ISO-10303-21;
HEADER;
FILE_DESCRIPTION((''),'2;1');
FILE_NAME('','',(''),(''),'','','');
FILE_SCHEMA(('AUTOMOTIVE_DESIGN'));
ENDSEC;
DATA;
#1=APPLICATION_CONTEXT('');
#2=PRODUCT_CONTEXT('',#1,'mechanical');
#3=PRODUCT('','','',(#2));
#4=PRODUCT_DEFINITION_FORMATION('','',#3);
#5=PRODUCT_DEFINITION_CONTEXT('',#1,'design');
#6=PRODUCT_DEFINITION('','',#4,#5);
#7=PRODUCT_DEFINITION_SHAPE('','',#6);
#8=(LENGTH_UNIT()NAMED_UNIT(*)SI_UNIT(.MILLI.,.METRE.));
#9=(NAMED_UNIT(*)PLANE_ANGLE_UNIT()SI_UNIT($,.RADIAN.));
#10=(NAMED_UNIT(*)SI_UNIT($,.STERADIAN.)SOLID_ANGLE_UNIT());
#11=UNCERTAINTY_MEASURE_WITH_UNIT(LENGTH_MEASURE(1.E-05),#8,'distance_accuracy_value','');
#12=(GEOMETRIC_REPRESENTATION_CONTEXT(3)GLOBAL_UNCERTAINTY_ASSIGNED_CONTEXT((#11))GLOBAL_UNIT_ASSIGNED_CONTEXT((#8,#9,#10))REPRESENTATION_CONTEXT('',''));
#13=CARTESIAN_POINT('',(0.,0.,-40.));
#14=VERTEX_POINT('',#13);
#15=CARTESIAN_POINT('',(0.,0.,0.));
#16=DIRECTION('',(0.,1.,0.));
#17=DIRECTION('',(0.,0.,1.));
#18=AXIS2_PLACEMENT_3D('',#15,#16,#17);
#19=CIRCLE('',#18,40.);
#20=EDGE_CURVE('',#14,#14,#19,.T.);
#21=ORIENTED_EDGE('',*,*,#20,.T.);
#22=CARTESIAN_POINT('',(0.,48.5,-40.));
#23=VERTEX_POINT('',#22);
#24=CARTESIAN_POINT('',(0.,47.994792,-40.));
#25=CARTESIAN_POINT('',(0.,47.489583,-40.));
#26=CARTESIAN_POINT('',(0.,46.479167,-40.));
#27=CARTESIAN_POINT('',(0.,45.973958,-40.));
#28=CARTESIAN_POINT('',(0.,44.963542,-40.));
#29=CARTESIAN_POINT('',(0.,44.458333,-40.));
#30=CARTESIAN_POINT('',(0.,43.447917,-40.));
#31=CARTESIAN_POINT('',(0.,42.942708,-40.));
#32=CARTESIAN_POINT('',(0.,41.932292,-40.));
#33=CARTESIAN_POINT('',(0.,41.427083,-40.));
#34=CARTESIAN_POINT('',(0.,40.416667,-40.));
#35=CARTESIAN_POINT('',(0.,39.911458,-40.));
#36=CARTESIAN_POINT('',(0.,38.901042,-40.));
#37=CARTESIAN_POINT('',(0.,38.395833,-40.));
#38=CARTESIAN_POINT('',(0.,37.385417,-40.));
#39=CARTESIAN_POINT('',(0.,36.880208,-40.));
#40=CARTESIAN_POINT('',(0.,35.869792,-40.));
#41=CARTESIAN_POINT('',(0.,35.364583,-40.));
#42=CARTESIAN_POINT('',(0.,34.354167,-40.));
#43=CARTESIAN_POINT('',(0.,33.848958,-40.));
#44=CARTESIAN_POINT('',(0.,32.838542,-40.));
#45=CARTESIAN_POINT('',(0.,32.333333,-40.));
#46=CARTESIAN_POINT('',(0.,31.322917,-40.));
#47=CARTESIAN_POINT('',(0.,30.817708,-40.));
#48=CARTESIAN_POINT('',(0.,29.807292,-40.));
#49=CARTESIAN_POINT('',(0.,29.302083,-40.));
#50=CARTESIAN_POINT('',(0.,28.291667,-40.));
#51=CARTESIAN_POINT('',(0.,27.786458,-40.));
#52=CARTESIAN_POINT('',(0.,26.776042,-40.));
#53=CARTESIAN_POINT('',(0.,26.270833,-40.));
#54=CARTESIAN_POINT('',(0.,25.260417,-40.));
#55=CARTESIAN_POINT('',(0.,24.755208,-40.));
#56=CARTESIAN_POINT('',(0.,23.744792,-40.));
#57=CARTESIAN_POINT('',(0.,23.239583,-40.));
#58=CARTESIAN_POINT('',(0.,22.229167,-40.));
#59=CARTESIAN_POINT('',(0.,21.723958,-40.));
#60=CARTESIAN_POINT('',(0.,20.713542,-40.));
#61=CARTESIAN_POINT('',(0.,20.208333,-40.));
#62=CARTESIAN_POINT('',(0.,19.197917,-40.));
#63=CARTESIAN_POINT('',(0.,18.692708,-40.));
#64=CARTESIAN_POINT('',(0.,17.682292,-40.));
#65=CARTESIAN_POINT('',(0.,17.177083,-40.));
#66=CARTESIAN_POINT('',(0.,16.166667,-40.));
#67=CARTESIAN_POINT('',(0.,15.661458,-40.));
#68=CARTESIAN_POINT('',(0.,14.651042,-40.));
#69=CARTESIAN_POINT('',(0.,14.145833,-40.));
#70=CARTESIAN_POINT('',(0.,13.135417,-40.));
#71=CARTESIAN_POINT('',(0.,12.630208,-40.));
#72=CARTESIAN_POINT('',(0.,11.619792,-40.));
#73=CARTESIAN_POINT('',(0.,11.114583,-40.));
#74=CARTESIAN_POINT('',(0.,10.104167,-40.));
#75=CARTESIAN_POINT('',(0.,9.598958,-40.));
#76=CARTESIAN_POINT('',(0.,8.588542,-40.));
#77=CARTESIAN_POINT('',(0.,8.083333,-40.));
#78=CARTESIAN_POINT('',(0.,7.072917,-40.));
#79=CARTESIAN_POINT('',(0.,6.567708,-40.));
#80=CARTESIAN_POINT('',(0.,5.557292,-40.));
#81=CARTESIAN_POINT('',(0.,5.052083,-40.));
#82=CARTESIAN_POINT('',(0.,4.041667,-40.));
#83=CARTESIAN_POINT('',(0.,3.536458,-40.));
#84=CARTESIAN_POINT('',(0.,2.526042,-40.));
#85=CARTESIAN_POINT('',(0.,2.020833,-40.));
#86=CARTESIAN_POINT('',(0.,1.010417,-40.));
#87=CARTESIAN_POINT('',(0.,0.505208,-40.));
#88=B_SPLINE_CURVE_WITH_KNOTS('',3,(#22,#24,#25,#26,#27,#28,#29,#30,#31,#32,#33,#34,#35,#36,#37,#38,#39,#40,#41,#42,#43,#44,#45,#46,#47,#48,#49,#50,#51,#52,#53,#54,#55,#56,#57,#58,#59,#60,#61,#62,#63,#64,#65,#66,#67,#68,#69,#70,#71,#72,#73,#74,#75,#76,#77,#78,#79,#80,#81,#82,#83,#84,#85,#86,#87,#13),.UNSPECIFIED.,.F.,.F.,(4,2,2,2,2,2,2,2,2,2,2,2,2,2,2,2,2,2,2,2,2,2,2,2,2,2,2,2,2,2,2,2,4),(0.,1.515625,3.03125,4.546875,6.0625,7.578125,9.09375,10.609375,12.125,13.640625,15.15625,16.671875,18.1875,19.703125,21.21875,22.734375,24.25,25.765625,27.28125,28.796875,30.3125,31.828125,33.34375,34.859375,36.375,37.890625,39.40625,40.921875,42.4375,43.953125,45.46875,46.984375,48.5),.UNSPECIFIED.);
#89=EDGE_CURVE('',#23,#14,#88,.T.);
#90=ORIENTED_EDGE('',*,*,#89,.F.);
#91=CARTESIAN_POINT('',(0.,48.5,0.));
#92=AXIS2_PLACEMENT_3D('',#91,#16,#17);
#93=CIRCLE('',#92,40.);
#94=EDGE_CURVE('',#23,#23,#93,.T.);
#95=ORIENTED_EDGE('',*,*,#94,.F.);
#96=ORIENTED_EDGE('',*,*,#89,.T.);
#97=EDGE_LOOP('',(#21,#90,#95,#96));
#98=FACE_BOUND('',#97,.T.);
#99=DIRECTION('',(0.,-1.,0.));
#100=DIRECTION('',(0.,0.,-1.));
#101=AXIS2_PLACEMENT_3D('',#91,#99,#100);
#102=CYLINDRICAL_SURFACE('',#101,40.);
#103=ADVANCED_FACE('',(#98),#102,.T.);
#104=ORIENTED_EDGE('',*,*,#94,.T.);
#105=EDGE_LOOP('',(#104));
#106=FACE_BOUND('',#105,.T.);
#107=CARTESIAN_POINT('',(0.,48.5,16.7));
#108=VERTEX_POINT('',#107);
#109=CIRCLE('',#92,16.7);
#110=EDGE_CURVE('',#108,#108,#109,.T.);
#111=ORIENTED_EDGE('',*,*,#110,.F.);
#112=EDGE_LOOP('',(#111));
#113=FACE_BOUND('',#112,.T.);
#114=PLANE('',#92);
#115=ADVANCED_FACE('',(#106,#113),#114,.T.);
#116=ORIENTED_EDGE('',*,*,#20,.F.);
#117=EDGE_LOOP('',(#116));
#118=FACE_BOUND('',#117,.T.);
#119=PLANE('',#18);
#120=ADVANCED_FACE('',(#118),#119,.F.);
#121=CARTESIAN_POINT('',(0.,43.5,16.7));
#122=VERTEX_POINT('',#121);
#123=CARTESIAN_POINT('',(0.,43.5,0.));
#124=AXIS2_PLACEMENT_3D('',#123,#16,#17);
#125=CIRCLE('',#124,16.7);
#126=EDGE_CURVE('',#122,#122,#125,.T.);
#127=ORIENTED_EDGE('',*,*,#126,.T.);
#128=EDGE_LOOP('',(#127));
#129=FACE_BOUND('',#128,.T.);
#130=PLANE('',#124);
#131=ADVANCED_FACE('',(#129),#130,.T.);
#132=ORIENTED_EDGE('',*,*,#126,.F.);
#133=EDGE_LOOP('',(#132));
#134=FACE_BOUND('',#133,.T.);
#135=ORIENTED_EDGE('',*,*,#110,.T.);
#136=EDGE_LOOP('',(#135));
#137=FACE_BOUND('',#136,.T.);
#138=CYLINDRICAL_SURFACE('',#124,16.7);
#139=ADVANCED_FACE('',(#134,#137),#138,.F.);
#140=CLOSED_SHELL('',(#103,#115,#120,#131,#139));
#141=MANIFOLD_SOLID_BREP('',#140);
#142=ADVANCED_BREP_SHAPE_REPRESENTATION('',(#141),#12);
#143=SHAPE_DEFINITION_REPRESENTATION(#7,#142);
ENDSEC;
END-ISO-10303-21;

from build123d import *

# Parameters (mm, degrees)
CROQUIS1_R              = 40
SALIENTE_EXTRUIR1_DEPTH = 48.5
CROQUIS2_R              = 16.7
CORTAR_EXTRUIR1_DEPTH   = 5


with BuildPart() as part:
    # Croquis1 → Saliente-Extruir1 (new body)
    with BuildSketch(Plane(origin=(0, 0, 0), x_dir=(1, 0, 0), z_dir=(0, 1, 0))):
        with Locations(Location((0, 0, 0), (0, 0, 90))):
            Circle(CROQUIS1_R)
    extrude(amount=SALIENTE_EXTRUIR1_DEPTH)

    # Croquis2 → Cortar-Extruir1 (cut)
    with BuildSketch(Plane(origin=(0, 48.5, 0), x_dir=(1, 0, 0), z_dir=(0, 1, 0))):
        with Locations(Location((0, 0, 0), (0, 0, 270))):
            Circle(CROQUIS2_R)
    extrude(amount=-CORTAR_EXTRUIR1_DEPTH, mode=Mode.SUBTRACT)


solid = part.part
